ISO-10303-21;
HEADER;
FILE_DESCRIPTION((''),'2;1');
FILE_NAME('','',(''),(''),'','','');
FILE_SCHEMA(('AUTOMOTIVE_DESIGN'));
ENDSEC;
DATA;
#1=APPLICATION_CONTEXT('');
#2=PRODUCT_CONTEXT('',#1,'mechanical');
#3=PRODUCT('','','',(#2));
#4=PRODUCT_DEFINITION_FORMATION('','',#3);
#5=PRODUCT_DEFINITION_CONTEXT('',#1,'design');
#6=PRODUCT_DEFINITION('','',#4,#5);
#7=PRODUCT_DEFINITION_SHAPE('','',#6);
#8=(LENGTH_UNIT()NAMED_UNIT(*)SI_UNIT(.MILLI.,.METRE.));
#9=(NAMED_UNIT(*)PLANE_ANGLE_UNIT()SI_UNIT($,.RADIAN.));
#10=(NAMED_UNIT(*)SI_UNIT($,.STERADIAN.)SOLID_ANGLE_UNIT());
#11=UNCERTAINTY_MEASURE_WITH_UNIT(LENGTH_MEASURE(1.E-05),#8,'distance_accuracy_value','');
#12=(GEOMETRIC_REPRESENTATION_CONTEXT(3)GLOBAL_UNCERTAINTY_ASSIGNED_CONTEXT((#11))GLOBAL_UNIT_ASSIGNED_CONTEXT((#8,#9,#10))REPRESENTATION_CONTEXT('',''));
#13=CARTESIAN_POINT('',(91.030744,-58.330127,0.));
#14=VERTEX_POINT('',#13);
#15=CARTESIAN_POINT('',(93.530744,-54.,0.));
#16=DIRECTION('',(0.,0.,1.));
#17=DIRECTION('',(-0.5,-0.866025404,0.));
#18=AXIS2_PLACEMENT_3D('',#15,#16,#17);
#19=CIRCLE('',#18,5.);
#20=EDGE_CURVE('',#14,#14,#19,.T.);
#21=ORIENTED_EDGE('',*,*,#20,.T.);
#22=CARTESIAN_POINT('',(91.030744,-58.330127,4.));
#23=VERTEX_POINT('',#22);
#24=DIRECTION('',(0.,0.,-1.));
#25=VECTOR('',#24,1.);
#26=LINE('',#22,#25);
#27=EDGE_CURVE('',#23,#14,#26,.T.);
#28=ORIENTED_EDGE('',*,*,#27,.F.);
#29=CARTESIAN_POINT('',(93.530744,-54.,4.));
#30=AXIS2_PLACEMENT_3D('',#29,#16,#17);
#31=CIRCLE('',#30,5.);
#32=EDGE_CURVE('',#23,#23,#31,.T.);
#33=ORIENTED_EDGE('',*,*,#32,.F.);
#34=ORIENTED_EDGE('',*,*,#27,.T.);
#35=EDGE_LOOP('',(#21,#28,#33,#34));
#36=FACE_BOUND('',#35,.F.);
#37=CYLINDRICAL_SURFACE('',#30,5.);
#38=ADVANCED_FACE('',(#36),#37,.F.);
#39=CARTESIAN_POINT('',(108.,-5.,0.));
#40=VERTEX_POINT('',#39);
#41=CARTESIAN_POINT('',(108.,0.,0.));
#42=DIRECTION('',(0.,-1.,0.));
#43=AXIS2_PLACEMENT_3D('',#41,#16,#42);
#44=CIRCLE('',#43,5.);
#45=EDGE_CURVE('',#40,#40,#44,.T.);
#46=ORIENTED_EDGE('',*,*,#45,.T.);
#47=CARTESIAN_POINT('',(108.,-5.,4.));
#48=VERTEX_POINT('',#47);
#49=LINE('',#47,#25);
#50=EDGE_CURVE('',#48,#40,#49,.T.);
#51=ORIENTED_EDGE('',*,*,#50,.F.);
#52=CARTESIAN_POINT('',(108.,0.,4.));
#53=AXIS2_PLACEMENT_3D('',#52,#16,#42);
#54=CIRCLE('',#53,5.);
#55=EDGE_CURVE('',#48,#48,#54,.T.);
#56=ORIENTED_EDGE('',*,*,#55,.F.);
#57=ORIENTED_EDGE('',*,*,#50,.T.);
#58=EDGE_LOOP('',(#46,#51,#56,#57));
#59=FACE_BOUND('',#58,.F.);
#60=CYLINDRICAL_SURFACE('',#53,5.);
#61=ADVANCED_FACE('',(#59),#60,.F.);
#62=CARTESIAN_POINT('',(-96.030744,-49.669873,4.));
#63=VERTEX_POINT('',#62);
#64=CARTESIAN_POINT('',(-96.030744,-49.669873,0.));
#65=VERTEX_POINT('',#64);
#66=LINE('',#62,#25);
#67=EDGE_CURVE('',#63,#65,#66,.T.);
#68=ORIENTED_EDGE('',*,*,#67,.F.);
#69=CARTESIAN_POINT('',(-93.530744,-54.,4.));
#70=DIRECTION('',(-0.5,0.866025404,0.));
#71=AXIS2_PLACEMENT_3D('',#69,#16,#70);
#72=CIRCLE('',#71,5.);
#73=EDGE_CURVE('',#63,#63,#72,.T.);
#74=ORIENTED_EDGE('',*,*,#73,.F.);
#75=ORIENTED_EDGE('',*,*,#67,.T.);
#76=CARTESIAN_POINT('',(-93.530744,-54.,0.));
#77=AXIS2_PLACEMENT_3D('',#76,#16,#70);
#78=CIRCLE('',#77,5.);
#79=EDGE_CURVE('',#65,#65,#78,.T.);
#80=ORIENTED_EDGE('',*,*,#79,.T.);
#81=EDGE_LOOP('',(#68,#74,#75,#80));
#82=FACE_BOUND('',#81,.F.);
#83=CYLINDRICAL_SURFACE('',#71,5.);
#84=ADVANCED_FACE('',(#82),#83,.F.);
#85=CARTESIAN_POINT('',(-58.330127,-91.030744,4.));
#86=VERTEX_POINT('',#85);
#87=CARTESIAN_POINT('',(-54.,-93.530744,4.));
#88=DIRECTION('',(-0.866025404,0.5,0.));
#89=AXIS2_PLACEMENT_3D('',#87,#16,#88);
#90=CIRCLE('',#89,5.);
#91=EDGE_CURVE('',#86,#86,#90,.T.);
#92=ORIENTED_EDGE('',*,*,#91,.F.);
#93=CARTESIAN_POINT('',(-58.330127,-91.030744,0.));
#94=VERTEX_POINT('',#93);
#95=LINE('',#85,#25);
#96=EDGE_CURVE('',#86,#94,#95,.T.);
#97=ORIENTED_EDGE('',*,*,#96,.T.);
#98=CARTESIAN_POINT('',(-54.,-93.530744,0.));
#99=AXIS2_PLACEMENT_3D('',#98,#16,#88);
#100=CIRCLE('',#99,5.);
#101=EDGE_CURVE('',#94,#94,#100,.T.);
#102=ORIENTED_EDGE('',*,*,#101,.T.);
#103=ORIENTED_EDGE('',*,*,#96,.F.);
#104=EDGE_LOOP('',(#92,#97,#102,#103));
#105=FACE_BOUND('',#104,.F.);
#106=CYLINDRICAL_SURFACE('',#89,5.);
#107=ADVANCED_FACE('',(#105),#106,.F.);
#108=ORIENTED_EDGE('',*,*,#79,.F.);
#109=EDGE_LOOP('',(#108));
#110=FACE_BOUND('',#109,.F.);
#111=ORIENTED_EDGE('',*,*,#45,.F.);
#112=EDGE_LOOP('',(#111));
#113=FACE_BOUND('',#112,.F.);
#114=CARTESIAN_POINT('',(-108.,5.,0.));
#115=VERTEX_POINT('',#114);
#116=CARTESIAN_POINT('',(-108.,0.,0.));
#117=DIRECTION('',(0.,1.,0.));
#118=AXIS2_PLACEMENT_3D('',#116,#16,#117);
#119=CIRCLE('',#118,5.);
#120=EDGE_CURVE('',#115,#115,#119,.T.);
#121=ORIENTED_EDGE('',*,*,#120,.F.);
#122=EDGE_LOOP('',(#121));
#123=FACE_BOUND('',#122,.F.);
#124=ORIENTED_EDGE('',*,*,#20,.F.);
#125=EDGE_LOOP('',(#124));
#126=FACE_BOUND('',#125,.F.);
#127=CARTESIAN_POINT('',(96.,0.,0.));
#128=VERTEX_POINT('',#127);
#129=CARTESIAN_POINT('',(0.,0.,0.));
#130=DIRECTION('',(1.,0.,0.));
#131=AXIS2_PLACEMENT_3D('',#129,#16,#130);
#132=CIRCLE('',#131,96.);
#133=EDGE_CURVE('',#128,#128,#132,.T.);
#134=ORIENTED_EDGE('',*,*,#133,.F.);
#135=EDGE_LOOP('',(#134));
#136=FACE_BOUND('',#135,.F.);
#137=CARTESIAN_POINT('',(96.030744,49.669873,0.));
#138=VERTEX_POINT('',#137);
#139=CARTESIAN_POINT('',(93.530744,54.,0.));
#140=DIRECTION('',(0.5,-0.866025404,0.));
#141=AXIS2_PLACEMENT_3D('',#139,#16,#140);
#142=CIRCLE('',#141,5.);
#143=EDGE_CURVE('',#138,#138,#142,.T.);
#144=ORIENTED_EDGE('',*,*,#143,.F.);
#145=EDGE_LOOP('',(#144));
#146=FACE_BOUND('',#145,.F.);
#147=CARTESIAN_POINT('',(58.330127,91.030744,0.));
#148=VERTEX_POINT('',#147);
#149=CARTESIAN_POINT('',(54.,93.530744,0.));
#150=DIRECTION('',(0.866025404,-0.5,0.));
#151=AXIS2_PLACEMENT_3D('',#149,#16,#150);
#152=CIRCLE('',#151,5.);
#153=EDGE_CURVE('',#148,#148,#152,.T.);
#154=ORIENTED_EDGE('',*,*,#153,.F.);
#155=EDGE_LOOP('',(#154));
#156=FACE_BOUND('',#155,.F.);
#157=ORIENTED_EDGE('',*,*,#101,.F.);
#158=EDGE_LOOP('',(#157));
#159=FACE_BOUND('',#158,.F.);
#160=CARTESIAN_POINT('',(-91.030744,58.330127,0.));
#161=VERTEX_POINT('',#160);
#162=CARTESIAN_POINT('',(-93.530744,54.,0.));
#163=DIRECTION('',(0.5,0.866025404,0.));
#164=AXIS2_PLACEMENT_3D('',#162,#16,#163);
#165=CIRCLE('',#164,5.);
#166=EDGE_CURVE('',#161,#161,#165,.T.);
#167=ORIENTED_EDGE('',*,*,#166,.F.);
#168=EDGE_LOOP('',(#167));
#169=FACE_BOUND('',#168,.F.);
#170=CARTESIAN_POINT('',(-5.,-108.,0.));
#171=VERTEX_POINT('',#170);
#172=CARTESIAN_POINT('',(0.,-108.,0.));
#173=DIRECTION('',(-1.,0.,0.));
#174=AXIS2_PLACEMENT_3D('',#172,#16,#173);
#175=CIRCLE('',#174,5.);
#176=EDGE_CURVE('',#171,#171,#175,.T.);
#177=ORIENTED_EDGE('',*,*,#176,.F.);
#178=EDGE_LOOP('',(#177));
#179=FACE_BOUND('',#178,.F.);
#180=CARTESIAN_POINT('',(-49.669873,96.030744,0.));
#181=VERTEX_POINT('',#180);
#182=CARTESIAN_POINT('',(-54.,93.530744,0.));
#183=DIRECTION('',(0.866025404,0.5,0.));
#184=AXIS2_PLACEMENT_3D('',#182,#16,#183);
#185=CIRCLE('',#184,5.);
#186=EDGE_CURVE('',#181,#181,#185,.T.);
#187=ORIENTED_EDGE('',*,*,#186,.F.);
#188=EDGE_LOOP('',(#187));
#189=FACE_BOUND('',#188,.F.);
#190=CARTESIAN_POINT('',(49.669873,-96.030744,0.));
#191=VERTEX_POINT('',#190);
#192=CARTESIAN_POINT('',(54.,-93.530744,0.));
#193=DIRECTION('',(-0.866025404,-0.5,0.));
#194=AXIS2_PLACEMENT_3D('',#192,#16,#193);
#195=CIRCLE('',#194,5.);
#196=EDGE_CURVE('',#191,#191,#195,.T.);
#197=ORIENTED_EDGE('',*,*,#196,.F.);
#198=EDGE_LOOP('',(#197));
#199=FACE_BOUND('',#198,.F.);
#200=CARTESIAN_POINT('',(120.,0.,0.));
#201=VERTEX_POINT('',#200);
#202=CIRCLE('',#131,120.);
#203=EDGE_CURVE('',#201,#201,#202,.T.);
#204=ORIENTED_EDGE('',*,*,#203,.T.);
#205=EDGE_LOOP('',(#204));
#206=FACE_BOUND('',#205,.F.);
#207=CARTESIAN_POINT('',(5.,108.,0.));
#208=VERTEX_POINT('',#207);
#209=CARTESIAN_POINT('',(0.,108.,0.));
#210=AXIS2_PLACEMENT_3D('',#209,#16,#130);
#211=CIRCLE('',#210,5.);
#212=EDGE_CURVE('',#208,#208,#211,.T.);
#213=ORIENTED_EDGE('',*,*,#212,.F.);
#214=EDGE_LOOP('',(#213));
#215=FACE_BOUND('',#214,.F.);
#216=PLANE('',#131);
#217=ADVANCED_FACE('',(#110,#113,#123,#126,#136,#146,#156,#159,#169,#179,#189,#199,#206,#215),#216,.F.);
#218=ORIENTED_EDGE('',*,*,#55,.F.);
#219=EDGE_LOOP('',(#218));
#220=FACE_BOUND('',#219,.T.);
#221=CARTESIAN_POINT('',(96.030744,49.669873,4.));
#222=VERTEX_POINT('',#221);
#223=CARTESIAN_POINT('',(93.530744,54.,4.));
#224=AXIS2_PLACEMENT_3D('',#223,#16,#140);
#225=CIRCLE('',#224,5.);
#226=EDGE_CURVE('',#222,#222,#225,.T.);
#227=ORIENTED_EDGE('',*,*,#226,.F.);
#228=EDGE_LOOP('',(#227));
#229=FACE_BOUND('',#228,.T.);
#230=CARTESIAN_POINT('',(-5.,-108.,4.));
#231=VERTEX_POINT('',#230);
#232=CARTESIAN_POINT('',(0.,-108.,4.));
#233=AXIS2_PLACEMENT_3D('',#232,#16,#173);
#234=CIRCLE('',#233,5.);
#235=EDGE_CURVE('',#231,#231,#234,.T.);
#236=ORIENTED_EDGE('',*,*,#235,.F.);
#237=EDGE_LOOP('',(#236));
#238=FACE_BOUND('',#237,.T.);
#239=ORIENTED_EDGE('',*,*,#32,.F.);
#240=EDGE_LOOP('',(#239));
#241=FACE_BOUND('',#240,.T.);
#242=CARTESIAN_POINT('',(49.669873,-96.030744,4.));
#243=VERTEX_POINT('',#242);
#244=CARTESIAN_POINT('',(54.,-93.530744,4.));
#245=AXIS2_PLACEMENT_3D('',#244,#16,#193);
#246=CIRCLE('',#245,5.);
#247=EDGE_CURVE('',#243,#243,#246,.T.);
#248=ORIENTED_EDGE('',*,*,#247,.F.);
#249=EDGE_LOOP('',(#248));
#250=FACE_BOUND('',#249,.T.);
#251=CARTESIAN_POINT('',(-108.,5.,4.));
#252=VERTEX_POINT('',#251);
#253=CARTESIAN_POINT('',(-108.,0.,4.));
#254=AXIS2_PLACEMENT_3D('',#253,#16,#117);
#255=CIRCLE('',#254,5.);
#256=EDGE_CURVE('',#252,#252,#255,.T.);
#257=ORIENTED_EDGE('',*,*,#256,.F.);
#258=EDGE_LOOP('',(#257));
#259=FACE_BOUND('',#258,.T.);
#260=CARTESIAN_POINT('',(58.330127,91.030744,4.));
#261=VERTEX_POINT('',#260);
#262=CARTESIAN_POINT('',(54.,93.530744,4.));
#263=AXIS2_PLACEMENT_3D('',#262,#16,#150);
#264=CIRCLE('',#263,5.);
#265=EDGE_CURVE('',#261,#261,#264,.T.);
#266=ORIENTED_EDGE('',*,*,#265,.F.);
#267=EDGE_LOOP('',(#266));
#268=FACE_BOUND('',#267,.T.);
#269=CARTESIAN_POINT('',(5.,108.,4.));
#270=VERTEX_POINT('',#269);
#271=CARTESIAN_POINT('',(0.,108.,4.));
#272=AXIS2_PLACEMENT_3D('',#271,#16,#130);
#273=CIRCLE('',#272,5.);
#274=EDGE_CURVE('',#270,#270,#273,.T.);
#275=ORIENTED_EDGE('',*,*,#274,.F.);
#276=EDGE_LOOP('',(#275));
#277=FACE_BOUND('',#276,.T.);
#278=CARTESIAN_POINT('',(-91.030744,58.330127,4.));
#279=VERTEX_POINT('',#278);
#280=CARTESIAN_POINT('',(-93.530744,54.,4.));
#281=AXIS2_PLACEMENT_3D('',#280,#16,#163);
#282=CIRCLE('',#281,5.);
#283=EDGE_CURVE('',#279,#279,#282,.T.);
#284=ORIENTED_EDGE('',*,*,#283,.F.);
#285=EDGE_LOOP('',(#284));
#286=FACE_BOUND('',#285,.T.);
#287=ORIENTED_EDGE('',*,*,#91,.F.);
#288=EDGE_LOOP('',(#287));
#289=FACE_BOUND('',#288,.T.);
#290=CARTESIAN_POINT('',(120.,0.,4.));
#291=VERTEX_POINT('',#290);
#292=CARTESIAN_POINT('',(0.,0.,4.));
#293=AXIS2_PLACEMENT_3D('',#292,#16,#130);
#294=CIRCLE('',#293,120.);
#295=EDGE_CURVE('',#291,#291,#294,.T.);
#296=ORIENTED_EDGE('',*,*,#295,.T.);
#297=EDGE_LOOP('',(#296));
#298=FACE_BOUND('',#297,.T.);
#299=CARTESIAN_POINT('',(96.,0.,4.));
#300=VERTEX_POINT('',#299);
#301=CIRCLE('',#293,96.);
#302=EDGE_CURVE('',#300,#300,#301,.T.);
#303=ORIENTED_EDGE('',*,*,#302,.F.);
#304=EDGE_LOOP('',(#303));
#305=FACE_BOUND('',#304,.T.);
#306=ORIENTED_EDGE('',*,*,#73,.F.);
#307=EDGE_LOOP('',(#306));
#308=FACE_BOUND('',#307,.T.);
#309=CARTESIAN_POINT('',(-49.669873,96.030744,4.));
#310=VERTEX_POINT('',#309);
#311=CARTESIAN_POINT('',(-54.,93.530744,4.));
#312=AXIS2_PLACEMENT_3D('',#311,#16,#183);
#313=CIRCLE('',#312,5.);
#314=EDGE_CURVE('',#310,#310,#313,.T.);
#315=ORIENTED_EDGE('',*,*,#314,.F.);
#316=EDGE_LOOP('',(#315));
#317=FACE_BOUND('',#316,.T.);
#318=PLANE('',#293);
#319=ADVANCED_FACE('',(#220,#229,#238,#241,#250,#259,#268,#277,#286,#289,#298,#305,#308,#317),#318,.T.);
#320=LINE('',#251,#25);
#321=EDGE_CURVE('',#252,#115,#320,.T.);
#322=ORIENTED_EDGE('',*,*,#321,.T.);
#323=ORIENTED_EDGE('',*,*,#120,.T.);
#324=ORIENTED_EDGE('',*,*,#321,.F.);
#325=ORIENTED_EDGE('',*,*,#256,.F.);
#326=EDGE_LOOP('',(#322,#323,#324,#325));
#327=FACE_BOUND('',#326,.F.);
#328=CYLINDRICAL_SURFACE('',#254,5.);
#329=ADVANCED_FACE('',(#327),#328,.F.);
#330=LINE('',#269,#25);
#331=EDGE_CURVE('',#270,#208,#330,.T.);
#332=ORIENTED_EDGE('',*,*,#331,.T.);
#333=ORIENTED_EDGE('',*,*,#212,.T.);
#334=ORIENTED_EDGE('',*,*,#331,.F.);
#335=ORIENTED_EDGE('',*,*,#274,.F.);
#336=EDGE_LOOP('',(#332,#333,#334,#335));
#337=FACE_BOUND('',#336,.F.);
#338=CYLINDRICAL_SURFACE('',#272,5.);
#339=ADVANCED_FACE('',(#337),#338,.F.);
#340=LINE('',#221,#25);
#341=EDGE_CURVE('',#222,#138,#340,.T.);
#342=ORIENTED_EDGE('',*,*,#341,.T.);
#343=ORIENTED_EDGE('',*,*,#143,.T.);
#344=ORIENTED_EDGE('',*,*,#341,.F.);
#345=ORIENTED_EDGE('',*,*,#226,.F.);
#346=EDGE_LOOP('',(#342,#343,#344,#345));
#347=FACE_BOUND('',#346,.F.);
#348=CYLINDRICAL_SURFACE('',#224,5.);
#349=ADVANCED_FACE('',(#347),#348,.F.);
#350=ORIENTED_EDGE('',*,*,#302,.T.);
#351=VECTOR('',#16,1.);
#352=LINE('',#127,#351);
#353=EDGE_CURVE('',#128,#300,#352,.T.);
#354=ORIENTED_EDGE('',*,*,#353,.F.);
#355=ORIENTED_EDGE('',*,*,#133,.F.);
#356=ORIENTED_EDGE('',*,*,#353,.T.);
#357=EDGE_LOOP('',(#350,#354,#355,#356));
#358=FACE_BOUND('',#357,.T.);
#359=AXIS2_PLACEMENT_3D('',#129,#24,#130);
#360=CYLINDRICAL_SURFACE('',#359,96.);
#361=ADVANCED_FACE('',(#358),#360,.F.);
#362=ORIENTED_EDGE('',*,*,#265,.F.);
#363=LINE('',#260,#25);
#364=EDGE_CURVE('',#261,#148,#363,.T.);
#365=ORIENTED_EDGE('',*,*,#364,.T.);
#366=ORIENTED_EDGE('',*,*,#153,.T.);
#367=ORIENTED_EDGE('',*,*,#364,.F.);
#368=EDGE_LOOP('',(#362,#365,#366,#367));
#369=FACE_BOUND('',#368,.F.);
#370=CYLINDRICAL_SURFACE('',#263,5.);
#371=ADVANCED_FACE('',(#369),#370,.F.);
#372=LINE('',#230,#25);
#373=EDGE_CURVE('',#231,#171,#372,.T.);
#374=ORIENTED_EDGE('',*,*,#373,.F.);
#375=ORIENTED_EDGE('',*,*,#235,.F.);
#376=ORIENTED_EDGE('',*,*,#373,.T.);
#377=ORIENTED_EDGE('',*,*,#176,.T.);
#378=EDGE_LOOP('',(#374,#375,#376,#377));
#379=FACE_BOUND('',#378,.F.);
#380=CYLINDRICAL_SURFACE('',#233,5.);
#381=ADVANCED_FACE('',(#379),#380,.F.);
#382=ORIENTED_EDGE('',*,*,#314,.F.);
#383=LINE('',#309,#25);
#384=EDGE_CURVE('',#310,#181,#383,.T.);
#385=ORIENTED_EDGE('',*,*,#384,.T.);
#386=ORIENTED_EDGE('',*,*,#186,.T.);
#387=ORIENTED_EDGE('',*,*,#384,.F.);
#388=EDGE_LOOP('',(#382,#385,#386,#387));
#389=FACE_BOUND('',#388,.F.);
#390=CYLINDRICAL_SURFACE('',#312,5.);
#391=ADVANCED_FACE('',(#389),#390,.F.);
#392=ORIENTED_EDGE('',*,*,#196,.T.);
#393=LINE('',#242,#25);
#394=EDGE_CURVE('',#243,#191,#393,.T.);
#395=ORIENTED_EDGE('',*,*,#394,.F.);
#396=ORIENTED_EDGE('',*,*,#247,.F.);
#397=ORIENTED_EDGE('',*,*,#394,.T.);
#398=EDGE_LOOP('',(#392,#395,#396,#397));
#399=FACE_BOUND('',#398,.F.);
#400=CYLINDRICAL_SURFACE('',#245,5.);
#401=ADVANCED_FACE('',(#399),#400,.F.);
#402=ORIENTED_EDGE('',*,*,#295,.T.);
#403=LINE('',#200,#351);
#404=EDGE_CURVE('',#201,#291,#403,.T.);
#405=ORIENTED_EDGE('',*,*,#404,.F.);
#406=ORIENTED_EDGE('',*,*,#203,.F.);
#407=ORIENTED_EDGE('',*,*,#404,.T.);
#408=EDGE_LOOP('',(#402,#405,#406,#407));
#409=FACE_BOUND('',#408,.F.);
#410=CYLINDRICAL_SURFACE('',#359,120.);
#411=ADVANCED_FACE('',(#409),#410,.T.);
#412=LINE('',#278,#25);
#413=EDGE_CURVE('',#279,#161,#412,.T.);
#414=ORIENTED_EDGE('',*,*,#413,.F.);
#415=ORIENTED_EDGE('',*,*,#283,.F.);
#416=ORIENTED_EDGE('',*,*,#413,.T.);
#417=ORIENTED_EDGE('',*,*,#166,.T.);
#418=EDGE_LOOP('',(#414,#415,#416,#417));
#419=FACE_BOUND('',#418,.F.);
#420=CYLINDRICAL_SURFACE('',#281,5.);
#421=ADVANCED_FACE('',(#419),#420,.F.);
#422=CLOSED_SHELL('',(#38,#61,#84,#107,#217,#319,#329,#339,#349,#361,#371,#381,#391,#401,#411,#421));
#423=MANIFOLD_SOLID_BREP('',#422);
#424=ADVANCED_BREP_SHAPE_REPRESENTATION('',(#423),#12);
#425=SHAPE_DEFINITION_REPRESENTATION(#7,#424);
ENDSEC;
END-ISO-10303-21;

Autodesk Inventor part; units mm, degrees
ref_plane "YZ Plane" through (0, 0, 0) normal (1, 0, 0) x (0, 1, 0)
ref_plane "XZ Plane" through (0, 0, 0) normal (0, 1, 0) x (-1, 0, 0)
ref_plane "XY Plane" through (0, 0, 0) normal (0, 0, 1) x (1, 0, 0)
sketch "Sketch1" plane through (0, 0, 0) normal (0, 0, 1) x (1, 0, 0)
  circle A0 centre (0, 0) radius 96
  circle A1 centre (0, 0) radius 120
  dimension "d22" = 192
  dimension "d23" = 240
extrude "Plate1" add sketch "Sketch1" along normal blind 4
sketch "Sketch5" plane through (0, 0, 4) normal (0, 0, 1) x (1, 0, 0)
  circle A0 centre (0, 108) radius 5
  circle A1 centre (0, 0) radius 108 construction
  dimension "d25" = 216
  dimension "d24" = 10
extrude "Cut1" cut sketch "Sketch5" against normal blind 4
pattern_circular "Circular Pattern1" count 12 over 360 about axis through (0, 0, 0) along (0, 0, 1) of "Cut1"
equation "\"d26\" = Thickness"
equation "\"d2\" = Thickness"
equation "\"BendReliefWidth\" = Thickness"
equation "\"BendReliefDepth\" = 0.5 * Thickness"
equation "\"CornerReliefSize\" = 4 * Thickness"
equation "\"MinimumRemnant\" = 2 * Thickness"
equation "\"TransitionRadius\" = BendRadius"
equation "\"JacobiRadiusSize\" = BendRadius"
equation "\"GapSize\" = Thickness"
equation "\"Thickness\" = 4"
equation "\"BendRadius\" = 5"
properties part number "TKS 3213 flange ffilter" material "Stainless Steel"
